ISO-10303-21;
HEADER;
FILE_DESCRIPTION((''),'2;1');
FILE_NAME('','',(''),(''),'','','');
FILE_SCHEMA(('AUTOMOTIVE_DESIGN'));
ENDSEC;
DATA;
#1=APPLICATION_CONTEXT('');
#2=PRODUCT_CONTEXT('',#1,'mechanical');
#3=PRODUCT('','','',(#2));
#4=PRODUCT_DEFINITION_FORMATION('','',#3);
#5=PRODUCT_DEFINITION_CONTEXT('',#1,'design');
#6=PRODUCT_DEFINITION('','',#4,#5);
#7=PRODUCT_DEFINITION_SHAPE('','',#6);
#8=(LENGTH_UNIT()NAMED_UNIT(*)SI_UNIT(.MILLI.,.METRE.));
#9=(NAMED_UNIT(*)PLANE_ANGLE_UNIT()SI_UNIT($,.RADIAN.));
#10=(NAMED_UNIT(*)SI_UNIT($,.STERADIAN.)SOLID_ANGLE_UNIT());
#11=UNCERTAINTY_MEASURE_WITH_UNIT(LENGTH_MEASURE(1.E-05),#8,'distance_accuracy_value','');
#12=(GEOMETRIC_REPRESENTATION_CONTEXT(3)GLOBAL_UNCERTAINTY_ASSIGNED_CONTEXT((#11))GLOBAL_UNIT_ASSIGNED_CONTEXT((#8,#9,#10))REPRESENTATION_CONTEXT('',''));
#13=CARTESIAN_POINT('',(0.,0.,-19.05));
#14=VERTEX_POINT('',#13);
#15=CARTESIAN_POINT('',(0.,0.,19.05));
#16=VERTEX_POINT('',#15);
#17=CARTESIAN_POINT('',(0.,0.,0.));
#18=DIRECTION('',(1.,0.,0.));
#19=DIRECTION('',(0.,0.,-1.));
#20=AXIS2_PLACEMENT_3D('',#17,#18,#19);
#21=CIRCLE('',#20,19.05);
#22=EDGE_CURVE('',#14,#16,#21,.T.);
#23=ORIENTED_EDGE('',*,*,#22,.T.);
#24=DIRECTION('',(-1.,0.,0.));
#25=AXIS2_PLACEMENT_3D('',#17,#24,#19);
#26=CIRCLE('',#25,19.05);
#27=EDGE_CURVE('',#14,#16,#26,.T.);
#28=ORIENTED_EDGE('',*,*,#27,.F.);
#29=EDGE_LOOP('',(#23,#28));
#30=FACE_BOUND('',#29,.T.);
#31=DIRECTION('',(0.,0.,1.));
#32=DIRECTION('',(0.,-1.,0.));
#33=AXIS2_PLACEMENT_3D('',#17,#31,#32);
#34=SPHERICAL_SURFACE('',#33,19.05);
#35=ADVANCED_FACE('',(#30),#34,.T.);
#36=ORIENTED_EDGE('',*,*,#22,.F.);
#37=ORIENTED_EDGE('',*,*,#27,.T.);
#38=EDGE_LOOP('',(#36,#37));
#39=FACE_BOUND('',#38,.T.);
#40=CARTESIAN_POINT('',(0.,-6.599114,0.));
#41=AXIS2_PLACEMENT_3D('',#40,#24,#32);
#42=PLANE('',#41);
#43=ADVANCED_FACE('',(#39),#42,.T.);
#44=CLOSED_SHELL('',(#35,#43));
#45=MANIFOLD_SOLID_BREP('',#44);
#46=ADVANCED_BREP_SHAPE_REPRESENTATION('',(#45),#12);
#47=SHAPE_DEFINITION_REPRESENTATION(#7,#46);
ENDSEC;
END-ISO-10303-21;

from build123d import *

# Parameters (mm, degrees)
F1_ANGLE_BACK = 90
F1_ANGLE      = 180


with BuildPart() as f1:
    # F0 (on Front) → F1 (revolve)
    with BuildSketch(Plane.XZ, mode=Mode.PRIVATE) as f1_sk:
        with BuildLine():
            Line((0, 19.05), (0, -19.05))
            ThreePointArc((0, -19.05), (19.05, 0), (0, 19.05))
        make_face()
    revolve(f1_sk.sketch.rotate(Axis((0, 0, 28.525814414), (0, 0, 1)), -F1_ANGLE_BACK), axis=Axis((0, 0, 28.525814414), (0, 0, 1)), revolution_arc=F1_ANGLE)


solid = f1.part
